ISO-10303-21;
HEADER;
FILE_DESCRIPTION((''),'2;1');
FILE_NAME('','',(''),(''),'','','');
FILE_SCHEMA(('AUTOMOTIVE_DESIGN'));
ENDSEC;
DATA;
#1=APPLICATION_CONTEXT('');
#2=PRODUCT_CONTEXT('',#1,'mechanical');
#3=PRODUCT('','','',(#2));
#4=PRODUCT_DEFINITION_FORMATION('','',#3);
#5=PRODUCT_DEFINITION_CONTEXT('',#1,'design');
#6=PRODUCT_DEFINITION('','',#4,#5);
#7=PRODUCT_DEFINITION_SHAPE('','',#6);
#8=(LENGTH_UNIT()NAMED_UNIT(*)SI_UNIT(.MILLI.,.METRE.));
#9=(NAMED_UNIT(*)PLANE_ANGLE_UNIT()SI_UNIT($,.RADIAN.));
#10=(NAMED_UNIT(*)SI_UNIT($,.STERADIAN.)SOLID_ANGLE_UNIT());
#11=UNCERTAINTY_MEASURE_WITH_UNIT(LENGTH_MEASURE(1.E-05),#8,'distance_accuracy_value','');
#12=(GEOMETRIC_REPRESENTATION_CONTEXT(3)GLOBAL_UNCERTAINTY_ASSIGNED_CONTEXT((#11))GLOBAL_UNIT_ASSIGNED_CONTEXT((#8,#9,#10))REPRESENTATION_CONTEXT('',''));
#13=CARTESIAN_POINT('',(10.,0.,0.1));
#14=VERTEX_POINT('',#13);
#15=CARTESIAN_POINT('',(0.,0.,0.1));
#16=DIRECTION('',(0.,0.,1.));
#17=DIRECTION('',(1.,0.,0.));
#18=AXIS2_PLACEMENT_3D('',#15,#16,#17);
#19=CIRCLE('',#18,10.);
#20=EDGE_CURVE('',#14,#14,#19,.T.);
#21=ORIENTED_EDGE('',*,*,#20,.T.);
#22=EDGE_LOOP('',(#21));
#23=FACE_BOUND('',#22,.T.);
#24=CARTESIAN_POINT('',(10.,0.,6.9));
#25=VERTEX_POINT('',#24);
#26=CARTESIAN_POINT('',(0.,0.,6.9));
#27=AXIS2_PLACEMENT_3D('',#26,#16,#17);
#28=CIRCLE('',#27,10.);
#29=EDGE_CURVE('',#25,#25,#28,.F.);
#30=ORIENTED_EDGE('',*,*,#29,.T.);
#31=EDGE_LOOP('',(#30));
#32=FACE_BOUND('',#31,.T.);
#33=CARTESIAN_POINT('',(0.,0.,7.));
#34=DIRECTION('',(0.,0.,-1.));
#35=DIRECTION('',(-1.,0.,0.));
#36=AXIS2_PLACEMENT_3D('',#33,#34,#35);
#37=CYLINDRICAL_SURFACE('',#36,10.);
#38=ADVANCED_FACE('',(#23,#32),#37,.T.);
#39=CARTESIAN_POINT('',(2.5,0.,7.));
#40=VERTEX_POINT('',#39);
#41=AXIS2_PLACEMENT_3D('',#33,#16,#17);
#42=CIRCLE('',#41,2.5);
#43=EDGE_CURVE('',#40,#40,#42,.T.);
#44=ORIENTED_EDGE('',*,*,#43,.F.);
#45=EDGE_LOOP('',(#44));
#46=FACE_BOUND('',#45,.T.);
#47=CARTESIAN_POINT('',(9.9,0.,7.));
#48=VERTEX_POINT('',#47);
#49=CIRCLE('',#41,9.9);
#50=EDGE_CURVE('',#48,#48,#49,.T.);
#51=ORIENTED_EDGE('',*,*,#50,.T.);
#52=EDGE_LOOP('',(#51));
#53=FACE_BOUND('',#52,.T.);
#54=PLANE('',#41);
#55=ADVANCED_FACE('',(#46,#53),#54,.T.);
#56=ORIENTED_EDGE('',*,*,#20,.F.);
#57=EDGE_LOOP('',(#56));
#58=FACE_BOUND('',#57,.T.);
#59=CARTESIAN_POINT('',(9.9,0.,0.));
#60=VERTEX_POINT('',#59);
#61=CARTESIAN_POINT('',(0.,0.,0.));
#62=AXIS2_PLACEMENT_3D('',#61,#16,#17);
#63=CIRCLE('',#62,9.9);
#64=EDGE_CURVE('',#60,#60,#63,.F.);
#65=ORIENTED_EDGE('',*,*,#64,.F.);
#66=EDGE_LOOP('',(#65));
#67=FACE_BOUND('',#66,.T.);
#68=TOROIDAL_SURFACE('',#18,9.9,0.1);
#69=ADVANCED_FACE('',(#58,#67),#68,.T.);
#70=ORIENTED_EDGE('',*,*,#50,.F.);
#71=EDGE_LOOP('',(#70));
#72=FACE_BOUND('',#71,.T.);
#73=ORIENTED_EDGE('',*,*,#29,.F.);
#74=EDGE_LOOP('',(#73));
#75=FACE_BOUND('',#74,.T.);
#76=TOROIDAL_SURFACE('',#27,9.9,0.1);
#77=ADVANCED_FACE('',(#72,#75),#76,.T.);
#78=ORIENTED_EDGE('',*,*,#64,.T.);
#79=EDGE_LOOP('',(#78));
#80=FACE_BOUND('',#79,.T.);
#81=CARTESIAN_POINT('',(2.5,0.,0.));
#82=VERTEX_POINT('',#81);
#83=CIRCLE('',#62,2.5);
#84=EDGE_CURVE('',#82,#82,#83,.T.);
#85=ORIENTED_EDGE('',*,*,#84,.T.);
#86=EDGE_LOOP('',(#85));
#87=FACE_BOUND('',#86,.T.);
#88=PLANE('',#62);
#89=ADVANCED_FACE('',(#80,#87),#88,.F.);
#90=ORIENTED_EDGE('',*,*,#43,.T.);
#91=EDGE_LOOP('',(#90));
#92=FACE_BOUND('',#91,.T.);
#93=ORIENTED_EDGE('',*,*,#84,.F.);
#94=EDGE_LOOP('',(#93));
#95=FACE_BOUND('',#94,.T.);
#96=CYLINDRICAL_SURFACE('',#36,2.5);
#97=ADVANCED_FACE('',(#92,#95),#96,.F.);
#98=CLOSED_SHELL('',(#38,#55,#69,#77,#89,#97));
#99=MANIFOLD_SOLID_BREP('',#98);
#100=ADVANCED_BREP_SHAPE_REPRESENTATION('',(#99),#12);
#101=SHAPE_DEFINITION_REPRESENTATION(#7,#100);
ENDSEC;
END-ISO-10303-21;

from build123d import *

# Parameters (mm, degrees)
SKETCH_1_R      = 10
SKETCH_1_R_2    = 2.5
EXTRUDE_1_DEPTH = 7
FILLET_1_R      = 0.1


with BuildPart() as part:
    # 草图1 → 凸台-拉伸1 (new body)
    with BuildSketch(Plane.XY):
        Circle(SKETCH_1_R)
        Circle(SKETCH_1_R_2, mode=Mode.SUBTRACT)
    extrude(amount=EXTRUDE_1_DEPTH)

    # 圆角1
    fillet_1_edges = [part.edges().sort_by_distance(p)[0] for p in [
        (-10, 0, 0),
        (-10, 0, 7),
    ]]
    fillet(fillet_1_edges, radius=FILLET_1_R)


solid = part.part
